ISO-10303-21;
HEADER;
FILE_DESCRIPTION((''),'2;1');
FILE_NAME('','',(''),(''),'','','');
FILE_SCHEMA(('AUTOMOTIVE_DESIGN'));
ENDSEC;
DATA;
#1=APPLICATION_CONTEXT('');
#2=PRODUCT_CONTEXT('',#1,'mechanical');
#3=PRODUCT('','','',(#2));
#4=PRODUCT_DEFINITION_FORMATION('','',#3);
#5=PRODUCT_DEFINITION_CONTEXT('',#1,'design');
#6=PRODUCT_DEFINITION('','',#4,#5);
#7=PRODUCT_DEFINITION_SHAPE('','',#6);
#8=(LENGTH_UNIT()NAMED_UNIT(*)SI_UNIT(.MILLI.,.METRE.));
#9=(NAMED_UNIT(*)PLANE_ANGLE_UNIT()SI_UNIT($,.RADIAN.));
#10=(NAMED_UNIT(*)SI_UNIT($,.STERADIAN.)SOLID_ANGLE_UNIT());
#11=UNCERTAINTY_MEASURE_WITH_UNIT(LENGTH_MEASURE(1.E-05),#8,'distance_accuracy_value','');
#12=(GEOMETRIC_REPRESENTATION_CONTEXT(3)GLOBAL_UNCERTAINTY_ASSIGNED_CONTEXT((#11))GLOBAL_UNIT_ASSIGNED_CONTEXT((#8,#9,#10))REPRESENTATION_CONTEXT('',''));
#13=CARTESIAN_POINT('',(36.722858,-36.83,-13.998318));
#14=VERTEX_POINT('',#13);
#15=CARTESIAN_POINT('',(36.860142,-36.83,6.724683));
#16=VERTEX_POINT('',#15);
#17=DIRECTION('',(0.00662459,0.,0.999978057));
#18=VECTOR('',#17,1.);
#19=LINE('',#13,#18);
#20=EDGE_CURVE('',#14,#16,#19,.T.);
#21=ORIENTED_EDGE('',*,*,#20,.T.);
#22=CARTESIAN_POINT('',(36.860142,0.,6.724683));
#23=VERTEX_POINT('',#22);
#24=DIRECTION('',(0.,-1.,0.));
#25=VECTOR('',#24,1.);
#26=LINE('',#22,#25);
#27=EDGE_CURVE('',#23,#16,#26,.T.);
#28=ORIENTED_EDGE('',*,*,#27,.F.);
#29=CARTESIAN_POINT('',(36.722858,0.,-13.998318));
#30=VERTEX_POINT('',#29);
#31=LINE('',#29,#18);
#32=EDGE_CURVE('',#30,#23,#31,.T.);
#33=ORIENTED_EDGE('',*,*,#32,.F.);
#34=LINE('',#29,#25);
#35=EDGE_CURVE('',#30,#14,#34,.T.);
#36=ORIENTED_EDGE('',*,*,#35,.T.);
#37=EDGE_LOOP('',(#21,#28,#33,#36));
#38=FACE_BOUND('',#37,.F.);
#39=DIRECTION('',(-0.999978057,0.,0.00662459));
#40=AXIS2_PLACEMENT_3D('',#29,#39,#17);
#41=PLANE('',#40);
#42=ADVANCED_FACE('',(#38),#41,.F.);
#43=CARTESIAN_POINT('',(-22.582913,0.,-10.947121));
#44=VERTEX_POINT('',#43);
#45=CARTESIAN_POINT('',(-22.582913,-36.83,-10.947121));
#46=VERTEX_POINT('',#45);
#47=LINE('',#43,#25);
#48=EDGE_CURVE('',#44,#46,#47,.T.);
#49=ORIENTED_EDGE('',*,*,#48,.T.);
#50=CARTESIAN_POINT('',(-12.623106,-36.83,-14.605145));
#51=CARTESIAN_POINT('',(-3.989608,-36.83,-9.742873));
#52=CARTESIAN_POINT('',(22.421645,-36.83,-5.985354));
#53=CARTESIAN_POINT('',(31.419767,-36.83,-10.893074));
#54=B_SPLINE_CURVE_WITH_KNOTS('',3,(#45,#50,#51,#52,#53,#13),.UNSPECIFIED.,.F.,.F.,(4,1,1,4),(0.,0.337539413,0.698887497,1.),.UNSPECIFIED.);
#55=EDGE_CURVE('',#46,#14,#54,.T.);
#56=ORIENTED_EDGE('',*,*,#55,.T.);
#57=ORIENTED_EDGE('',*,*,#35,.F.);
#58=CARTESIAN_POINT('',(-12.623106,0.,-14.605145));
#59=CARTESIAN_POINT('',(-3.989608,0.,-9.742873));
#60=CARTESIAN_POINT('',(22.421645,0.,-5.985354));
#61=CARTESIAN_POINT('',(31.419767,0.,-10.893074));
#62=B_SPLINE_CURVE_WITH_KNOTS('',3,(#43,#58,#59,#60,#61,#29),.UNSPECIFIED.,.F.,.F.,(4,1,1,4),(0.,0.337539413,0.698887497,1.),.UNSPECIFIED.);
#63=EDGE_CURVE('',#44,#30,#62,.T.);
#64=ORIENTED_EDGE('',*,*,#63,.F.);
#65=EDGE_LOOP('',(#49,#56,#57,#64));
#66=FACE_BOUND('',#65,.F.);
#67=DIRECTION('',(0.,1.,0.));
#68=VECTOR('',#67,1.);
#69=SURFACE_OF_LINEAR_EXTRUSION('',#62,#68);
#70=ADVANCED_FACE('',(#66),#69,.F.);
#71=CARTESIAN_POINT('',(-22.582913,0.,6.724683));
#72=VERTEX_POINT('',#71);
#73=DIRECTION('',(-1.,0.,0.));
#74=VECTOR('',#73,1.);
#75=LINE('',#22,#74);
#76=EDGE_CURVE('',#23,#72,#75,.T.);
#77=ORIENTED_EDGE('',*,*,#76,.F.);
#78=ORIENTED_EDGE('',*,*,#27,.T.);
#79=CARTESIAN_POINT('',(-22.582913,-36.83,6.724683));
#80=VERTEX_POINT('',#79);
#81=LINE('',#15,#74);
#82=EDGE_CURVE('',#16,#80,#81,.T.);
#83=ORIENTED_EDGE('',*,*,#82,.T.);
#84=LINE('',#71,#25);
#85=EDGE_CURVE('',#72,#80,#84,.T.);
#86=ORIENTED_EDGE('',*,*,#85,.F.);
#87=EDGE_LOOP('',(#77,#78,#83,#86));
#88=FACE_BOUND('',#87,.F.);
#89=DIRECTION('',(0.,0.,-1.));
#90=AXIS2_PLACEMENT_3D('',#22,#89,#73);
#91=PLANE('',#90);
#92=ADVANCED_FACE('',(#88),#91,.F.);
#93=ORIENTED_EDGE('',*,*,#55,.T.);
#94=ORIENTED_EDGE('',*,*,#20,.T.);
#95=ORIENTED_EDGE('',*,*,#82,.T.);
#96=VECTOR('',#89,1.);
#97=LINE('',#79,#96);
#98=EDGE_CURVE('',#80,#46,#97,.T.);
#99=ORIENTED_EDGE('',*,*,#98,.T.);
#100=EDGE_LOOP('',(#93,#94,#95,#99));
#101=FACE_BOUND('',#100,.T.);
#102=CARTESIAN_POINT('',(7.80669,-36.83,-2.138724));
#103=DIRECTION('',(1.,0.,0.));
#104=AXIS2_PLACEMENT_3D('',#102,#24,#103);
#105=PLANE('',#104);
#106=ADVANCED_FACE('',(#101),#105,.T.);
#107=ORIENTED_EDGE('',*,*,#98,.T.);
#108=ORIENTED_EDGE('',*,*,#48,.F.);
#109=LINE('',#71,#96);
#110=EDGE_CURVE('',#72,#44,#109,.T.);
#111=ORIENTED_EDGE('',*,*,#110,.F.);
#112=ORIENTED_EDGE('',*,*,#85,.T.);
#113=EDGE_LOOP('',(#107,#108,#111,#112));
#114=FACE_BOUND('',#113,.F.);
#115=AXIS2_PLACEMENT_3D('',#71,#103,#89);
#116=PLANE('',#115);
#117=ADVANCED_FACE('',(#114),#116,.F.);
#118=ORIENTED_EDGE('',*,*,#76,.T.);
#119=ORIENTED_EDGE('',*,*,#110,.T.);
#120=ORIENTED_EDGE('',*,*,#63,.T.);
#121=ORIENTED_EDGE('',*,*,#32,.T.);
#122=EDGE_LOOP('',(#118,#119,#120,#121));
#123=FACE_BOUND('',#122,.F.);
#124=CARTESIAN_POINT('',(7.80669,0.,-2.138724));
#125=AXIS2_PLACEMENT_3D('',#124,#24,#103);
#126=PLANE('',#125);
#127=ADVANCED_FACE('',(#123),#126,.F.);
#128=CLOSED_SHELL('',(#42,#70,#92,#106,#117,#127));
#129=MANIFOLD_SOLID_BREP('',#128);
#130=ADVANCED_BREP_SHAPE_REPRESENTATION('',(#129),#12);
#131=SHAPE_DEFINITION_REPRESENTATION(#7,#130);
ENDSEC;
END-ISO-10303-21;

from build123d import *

# Parameters (mm, degrees)
F1_DEPTH = 36.83


with BuildPart() as f1:
    # F0 (on Front) → F1 (new body)
    with BuildSketch(Plane.XZ):
        with BuildLine():
            Line((-22.5829128176, 6.7246826366), (-22.5829128176, -10.9471213073))
            add(Edge.make_bspline(
                [(-22.5829128176, -10.9471213073), (-12.6231055776, -14.6051449056), (-3.9896084343, -9.7428727929), (22.4216451578, -5.9853535093), (31.4197673357, -10.8930738444), (36.7228575051, -13.9983184636)],
                knots=[0, 0, 0, 0, 0.3375394134, 0.6988874971, 1, 1, 1, 1], degree=3))
            Line((36.7228575051, -13.9983184636), (36.8601419032, 6.7246826366))
            Line((36.8601419032, 6.7246826366), (-22.5829128176, 6.7246826366))
        make_face()
    extrude(amount=F1_DEPTH)


solid = f1.part
